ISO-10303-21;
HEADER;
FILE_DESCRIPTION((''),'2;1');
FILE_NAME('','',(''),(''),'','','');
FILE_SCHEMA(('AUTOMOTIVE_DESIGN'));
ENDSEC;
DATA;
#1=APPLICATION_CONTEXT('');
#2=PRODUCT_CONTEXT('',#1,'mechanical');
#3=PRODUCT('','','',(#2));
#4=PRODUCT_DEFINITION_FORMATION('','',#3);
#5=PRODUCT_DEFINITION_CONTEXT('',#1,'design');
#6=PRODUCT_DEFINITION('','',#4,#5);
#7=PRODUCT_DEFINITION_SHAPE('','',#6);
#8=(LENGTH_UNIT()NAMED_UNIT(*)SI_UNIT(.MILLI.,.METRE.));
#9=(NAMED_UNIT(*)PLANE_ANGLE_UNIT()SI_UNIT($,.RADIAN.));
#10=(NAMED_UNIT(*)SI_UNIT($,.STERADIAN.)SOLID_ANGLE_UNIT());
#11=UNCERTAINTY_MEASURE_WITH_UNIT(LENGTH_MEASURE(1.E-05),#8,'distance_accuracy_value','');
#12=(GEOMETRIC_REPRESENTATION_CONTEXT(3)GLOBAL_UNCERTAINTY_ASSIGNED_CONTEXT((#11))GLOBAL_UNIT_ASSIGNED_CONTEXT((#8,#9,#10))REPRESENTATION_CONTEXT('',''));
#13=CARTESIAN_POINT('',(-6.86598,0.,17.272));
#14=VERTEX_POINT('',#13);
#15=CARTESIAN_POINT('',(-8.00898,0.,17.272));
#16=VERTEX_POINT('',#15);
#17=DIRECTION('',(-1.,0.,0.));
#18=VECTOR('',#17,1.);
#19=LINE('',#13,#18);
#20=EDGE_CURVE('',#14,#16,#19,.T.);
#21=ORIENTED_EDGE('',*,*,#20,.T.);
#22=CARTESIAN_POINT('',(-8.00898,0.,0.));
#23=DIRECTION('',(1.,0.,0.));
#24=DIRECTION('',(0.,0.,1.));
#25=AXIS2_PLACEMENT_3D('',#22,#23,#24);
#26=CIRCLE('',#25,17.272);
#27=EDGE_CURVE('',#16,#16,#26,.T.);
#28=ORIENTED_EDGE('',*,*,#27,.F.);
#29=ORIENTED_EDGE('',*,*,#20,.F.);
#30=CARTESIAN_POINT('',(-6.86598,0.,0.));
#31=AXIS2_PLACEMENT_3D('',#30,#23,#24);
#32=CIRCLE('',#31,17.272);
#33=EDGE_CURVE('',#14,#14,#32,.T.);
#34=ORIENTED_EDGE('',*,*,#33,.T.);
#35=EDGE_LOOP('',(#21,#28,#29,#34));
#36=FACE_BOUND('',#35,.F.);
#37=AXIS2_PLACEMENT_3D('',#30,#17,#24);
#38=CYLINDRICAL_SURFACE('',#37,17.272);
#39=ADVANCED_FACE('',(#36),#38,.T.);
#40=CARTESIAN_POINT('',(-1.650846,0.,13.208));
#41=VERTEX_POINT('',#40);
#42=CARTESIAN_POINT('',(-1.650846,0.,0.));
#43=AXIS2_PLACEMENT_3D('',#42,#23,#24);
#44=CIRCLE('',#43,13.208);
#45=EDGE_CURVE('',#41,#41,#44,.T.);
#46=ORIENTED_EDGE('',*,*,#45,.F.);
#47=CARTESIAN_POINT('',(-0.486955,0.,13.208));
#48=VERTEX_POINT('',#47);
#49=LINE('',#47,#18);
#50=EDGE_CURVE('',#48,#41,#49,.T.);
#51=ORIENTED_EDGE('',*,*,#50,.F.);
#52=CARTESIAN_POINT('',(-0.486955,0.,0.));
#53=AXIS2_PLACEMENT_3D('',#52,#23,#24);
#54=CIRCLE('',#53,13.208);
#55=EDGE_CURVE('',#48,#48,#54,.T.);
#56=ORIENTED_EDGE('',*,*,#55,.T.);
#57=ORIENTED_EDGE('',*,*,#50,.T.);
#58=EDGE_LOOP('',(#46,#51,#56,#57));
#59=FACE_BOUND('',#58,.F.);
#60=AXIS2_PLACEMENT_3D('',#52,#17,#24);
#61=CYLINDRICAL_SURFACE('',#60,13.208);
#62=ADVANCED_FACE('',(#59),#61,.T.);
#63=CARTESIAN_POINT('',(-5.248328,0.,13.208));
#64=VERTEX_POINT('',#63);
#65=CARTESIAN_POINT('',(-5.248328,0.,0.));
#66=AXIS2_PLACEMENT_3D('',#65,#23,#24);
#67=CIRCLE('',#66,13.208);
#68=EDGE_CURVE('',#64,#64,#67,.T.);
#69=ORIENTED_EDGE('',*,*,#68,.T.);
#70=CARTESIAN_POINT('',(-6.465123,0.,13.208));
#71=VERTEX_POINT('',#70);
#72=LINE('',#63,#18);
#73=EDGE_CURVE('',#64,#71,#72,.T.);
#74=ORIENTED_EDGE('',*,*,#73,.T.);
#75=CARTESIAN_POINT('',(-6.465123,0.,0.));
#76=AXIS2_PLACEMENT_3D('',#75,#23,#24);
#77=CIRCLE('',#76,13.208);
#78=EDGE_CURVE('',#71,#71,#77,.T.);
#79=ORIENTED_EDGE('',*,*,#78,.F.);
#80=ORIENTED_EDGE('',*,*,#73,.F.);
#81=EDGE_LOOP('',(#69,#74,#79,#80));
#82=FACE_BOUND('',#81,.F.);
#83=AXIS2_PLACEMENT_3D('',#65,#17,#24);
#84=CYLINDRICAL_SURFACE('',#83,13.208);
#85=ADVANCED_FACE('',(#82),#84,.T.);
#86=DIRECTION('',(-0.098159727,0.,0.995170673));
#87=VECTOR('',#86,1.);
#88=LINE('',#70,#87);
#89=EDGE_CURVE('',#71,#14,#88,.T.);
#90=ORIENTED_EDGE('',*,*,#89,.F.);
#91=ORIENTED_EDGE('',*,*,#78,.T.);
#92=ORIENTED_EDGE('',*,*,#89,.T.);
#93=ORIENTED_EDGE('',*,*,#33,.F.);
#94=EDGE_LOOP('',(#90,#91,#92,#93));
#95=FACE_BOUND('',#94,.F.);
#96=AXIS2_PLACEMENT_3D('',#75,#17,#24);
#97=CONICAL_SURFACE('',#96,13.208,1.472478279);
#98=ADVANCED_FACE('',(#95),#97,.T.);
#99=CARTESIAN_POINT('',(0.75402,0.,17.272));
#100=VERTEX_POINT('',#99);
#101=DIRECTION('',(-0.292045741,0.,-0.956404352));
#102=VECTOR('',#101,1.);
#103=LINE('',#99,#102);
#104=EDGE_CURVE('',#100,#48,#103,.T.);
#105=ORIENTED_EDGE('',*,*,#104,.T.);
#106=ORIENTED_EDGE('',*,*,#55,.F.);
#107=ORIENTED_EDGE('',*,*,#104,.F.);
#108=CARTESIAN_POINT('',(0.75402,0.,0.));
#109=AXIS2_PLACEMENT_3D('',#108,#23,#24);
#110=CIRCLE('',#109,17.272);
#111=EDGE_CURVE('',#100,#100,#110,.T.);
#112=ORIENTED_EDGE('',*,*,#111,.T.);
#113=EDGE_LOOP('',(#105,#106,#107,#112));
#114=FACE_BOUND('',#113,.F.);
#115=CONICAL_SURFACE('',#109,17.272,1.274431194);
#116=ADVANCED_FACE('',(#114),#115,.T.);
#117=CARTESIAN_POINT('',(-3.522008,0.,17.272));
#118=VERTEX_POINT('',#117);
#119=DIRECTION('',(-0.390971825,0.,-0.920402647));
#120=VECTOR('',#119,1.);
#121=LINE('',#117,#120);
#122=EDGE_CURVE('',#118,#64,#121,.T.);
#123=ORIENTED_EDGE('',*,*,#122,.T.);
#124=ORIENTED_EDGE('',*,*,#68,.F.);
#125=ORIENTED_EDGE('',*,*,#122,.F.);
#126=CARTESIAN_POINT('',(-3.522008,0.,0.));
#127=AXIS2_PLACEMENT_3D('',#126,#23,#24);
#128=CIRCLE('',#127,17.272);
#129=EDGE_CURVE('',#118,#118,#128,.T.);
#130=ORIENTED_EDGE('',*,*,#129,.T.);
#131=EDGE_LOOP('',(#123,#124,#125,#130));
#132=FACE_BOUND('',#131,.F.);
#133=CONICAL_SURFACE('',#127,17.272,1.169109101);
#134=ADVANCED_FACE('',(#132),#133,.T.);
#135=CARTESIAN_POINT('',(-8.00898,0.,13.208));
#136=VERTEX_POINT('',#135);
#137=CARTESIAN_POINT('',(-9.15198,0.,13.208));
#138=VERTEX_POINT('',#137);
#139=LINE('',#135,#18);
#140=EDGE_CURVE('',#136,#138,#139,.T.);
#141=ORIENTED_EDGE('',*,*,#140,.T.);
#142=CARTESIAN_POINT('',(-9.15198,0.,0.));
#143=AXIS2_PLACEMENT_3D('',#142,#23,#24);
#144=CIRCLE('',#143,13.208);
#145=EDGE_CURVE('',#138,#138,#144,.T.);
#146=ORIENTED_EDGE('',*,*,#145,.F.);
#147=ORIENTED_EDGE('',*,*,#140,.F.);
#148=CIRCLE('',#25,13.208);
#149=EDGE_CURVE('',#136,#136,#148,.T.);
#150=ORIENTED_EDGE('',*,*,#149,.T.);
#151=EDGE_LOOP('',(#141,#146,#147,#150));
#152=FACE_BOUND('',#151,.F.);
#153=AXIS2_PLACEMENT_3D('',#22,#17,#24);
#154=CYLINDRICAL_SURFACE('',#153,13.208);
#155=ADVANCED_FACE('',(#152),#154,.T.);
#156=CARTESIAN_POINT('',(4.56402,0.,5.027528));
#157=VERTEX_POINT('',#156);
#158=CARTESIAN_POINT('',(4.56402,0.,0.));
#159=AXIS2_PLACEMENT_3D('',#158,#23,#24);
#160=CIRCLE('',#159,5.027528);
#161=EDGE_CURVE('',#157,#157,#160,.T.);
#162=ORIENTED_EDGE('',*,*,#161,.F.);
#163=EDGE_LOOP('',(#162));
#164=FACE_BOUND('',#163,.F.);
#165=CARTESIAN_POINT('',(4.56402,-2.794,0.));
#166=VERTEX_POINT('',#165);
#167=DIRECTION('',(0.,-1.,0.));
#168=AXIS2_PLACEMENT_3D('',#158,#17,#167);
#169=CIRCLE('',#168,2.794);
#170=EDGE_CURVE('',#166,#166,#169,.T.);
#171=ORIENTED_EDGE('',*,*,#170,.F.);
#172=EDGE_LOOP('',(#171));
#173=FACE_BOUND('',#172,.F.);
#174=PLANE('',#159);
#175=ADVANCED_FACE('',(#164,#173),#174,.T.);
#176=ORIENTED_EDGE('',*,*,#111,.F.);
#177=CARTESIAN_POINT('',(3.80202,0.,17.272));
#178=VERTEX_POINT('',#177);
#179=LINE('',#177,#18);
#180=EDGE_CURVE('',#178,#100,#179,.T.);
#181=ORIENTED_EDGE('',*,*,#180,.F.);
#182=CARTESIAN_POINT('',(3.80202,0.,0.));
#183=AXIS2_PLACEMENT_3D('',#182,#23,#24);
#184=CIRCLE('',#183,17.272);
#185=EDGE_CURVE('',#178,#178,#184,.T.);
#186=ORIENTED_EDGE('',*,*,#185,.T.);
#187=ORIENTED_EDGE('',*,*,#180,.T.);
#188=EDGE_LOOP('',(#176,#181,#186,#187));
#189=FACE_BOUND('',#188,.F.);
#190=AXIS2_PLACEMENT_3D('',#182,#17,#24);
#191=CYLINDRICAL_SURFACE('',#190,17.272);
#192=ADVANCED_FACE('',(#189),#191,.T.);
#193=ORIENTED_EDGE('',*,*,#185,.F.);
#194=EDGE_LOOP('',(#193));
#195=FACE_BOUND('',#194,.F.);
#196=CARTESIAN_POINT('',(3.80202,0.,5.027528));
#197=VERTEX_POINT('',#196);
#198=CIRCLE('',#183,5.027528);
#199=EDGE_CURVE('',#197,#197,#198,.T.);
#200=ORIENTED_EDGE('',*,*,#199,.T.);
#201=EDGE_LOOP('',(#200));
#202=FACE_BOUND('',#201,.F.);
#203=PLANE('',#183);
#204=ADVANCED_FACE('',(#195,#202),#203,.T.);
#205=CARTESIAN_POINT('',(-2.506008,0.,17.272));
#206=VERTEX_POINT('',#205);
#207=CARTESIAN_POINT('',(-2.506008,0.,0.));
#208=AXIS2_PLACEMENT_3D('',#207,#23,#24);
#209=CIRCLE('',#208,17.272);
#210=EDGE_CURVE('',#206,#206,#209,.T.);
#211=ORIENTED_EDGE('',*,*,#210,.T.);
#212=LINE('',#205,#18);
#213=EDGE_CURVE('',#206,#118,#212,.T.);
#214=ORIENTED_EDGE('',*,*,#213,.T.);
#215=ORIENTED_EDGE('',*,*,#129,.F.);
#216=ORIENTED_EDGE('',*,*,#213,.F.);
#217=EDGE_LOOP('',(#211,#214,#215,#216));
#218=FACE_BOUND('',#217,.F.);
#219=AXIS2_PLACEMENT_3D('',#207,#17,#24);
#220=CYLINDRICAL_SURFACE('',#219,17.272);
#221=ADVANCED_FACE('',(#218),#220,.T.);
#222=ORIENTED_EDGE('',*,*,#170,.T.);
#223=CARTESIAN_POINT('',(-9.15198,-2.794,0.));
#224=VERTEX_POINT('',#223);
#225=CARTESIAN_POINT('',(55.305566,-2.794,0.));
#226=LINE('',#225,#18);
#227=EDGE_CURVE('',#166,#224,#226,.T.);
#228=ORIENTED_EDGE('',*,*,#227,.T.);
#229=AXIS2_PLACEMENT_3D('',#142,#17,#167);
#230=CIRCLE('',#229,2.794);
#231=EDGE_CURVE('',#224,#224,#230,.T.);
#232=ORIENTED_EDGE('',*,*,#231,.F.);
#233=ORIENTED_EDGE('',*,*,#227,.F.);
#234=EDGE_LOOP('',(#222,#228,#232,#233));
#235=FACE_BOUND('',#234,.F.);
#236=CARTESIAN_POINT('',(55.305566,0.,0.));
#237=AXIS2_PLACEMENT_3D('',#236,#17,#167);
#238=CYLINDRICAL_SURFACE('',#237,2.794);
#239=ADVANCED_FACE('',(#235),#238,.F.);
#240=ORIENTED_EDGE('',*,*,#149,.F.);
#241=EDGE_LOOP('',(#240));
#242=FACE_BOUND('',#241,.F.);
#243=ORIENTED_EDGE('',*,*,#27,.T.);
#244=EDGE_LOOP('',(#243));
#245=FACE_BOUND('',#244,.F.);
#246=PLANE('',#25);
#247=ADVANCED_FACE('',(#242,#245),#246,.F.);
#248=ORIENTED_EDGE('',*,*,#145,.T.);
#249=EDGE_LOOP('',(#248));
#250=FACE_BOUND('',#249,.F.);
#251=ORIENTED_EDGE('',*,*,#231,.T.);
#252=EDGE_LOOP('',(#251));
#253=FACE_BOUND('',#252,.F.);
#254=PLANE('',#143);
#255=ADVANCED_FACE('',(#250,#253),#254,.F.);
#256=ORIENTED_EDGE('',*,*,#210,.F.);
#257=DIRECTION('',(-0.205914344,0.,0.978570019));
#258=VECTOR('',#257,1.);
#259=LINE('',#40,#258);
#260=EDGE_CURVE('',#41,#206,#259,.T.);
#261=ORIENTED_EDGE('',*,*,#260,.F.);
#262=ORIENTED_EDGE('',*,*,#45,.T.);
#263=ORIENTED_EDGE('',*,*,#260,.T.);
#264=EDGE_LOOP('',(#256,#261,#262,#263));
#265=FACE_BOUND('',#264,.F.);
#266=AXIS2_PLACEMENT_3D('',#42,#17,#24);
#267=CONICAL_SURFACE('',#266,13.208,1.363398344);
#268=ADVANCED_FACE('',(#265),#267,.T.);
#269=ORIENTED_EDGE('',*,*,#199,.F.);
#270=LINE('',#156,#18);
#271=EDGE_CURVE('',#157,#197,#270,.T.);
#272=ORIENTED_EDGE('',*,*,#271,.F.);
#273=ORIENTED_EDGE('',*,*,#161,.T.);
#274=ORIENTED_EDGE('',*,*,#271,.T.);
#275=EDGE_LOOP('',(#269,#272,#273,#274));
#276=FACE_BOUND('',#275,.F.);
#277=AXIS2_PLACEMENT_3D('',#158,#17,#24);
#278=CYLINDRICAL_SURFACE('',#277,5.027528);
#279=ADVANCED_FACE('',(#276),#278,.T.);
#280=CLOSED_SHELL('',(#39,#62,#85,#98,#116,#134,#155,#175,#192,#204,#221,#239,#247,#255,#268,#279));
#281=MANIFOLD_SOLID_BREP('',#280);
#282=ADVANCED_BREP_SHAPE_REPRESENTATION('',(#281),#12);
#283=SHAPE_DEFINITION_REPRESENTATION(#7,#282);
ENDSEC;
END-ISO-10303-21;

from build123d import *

# Parameters (mm, degrees)
F3_D = 5.588


with BuildPart() as f1:
    # F0 (on Front) → F1 (revolve)
    with BuildSketch(Plane.XZ):
        Polygon((-9.15198, 13.208), (-9.15198, 0), (4.56402, 0), (4.56402, 5.027528), (3.80202, 5.027528), (3.80202, 17.272), (0.75402, 17.272), (-0.486955, 13.208), (-1.650846, 13.208), (-2.506008, 17.272), (-3.522008, 17.272), (-5.248328, 13.208), (-6.465123, 13.208), (-6.86598, 17.272), (-8.00898, 17.272), (-8.00898, 13.208), align=None)
    revolve(axis=Axis((-2.29398, 0, 0), (1, 0, 0)))

    # F3 (through all)
    with Locations(Plane.YZ.offset(4.56402)):
        with Locations((0, 0)):
            Hole(F3_D / 2)


solid = f1.part
